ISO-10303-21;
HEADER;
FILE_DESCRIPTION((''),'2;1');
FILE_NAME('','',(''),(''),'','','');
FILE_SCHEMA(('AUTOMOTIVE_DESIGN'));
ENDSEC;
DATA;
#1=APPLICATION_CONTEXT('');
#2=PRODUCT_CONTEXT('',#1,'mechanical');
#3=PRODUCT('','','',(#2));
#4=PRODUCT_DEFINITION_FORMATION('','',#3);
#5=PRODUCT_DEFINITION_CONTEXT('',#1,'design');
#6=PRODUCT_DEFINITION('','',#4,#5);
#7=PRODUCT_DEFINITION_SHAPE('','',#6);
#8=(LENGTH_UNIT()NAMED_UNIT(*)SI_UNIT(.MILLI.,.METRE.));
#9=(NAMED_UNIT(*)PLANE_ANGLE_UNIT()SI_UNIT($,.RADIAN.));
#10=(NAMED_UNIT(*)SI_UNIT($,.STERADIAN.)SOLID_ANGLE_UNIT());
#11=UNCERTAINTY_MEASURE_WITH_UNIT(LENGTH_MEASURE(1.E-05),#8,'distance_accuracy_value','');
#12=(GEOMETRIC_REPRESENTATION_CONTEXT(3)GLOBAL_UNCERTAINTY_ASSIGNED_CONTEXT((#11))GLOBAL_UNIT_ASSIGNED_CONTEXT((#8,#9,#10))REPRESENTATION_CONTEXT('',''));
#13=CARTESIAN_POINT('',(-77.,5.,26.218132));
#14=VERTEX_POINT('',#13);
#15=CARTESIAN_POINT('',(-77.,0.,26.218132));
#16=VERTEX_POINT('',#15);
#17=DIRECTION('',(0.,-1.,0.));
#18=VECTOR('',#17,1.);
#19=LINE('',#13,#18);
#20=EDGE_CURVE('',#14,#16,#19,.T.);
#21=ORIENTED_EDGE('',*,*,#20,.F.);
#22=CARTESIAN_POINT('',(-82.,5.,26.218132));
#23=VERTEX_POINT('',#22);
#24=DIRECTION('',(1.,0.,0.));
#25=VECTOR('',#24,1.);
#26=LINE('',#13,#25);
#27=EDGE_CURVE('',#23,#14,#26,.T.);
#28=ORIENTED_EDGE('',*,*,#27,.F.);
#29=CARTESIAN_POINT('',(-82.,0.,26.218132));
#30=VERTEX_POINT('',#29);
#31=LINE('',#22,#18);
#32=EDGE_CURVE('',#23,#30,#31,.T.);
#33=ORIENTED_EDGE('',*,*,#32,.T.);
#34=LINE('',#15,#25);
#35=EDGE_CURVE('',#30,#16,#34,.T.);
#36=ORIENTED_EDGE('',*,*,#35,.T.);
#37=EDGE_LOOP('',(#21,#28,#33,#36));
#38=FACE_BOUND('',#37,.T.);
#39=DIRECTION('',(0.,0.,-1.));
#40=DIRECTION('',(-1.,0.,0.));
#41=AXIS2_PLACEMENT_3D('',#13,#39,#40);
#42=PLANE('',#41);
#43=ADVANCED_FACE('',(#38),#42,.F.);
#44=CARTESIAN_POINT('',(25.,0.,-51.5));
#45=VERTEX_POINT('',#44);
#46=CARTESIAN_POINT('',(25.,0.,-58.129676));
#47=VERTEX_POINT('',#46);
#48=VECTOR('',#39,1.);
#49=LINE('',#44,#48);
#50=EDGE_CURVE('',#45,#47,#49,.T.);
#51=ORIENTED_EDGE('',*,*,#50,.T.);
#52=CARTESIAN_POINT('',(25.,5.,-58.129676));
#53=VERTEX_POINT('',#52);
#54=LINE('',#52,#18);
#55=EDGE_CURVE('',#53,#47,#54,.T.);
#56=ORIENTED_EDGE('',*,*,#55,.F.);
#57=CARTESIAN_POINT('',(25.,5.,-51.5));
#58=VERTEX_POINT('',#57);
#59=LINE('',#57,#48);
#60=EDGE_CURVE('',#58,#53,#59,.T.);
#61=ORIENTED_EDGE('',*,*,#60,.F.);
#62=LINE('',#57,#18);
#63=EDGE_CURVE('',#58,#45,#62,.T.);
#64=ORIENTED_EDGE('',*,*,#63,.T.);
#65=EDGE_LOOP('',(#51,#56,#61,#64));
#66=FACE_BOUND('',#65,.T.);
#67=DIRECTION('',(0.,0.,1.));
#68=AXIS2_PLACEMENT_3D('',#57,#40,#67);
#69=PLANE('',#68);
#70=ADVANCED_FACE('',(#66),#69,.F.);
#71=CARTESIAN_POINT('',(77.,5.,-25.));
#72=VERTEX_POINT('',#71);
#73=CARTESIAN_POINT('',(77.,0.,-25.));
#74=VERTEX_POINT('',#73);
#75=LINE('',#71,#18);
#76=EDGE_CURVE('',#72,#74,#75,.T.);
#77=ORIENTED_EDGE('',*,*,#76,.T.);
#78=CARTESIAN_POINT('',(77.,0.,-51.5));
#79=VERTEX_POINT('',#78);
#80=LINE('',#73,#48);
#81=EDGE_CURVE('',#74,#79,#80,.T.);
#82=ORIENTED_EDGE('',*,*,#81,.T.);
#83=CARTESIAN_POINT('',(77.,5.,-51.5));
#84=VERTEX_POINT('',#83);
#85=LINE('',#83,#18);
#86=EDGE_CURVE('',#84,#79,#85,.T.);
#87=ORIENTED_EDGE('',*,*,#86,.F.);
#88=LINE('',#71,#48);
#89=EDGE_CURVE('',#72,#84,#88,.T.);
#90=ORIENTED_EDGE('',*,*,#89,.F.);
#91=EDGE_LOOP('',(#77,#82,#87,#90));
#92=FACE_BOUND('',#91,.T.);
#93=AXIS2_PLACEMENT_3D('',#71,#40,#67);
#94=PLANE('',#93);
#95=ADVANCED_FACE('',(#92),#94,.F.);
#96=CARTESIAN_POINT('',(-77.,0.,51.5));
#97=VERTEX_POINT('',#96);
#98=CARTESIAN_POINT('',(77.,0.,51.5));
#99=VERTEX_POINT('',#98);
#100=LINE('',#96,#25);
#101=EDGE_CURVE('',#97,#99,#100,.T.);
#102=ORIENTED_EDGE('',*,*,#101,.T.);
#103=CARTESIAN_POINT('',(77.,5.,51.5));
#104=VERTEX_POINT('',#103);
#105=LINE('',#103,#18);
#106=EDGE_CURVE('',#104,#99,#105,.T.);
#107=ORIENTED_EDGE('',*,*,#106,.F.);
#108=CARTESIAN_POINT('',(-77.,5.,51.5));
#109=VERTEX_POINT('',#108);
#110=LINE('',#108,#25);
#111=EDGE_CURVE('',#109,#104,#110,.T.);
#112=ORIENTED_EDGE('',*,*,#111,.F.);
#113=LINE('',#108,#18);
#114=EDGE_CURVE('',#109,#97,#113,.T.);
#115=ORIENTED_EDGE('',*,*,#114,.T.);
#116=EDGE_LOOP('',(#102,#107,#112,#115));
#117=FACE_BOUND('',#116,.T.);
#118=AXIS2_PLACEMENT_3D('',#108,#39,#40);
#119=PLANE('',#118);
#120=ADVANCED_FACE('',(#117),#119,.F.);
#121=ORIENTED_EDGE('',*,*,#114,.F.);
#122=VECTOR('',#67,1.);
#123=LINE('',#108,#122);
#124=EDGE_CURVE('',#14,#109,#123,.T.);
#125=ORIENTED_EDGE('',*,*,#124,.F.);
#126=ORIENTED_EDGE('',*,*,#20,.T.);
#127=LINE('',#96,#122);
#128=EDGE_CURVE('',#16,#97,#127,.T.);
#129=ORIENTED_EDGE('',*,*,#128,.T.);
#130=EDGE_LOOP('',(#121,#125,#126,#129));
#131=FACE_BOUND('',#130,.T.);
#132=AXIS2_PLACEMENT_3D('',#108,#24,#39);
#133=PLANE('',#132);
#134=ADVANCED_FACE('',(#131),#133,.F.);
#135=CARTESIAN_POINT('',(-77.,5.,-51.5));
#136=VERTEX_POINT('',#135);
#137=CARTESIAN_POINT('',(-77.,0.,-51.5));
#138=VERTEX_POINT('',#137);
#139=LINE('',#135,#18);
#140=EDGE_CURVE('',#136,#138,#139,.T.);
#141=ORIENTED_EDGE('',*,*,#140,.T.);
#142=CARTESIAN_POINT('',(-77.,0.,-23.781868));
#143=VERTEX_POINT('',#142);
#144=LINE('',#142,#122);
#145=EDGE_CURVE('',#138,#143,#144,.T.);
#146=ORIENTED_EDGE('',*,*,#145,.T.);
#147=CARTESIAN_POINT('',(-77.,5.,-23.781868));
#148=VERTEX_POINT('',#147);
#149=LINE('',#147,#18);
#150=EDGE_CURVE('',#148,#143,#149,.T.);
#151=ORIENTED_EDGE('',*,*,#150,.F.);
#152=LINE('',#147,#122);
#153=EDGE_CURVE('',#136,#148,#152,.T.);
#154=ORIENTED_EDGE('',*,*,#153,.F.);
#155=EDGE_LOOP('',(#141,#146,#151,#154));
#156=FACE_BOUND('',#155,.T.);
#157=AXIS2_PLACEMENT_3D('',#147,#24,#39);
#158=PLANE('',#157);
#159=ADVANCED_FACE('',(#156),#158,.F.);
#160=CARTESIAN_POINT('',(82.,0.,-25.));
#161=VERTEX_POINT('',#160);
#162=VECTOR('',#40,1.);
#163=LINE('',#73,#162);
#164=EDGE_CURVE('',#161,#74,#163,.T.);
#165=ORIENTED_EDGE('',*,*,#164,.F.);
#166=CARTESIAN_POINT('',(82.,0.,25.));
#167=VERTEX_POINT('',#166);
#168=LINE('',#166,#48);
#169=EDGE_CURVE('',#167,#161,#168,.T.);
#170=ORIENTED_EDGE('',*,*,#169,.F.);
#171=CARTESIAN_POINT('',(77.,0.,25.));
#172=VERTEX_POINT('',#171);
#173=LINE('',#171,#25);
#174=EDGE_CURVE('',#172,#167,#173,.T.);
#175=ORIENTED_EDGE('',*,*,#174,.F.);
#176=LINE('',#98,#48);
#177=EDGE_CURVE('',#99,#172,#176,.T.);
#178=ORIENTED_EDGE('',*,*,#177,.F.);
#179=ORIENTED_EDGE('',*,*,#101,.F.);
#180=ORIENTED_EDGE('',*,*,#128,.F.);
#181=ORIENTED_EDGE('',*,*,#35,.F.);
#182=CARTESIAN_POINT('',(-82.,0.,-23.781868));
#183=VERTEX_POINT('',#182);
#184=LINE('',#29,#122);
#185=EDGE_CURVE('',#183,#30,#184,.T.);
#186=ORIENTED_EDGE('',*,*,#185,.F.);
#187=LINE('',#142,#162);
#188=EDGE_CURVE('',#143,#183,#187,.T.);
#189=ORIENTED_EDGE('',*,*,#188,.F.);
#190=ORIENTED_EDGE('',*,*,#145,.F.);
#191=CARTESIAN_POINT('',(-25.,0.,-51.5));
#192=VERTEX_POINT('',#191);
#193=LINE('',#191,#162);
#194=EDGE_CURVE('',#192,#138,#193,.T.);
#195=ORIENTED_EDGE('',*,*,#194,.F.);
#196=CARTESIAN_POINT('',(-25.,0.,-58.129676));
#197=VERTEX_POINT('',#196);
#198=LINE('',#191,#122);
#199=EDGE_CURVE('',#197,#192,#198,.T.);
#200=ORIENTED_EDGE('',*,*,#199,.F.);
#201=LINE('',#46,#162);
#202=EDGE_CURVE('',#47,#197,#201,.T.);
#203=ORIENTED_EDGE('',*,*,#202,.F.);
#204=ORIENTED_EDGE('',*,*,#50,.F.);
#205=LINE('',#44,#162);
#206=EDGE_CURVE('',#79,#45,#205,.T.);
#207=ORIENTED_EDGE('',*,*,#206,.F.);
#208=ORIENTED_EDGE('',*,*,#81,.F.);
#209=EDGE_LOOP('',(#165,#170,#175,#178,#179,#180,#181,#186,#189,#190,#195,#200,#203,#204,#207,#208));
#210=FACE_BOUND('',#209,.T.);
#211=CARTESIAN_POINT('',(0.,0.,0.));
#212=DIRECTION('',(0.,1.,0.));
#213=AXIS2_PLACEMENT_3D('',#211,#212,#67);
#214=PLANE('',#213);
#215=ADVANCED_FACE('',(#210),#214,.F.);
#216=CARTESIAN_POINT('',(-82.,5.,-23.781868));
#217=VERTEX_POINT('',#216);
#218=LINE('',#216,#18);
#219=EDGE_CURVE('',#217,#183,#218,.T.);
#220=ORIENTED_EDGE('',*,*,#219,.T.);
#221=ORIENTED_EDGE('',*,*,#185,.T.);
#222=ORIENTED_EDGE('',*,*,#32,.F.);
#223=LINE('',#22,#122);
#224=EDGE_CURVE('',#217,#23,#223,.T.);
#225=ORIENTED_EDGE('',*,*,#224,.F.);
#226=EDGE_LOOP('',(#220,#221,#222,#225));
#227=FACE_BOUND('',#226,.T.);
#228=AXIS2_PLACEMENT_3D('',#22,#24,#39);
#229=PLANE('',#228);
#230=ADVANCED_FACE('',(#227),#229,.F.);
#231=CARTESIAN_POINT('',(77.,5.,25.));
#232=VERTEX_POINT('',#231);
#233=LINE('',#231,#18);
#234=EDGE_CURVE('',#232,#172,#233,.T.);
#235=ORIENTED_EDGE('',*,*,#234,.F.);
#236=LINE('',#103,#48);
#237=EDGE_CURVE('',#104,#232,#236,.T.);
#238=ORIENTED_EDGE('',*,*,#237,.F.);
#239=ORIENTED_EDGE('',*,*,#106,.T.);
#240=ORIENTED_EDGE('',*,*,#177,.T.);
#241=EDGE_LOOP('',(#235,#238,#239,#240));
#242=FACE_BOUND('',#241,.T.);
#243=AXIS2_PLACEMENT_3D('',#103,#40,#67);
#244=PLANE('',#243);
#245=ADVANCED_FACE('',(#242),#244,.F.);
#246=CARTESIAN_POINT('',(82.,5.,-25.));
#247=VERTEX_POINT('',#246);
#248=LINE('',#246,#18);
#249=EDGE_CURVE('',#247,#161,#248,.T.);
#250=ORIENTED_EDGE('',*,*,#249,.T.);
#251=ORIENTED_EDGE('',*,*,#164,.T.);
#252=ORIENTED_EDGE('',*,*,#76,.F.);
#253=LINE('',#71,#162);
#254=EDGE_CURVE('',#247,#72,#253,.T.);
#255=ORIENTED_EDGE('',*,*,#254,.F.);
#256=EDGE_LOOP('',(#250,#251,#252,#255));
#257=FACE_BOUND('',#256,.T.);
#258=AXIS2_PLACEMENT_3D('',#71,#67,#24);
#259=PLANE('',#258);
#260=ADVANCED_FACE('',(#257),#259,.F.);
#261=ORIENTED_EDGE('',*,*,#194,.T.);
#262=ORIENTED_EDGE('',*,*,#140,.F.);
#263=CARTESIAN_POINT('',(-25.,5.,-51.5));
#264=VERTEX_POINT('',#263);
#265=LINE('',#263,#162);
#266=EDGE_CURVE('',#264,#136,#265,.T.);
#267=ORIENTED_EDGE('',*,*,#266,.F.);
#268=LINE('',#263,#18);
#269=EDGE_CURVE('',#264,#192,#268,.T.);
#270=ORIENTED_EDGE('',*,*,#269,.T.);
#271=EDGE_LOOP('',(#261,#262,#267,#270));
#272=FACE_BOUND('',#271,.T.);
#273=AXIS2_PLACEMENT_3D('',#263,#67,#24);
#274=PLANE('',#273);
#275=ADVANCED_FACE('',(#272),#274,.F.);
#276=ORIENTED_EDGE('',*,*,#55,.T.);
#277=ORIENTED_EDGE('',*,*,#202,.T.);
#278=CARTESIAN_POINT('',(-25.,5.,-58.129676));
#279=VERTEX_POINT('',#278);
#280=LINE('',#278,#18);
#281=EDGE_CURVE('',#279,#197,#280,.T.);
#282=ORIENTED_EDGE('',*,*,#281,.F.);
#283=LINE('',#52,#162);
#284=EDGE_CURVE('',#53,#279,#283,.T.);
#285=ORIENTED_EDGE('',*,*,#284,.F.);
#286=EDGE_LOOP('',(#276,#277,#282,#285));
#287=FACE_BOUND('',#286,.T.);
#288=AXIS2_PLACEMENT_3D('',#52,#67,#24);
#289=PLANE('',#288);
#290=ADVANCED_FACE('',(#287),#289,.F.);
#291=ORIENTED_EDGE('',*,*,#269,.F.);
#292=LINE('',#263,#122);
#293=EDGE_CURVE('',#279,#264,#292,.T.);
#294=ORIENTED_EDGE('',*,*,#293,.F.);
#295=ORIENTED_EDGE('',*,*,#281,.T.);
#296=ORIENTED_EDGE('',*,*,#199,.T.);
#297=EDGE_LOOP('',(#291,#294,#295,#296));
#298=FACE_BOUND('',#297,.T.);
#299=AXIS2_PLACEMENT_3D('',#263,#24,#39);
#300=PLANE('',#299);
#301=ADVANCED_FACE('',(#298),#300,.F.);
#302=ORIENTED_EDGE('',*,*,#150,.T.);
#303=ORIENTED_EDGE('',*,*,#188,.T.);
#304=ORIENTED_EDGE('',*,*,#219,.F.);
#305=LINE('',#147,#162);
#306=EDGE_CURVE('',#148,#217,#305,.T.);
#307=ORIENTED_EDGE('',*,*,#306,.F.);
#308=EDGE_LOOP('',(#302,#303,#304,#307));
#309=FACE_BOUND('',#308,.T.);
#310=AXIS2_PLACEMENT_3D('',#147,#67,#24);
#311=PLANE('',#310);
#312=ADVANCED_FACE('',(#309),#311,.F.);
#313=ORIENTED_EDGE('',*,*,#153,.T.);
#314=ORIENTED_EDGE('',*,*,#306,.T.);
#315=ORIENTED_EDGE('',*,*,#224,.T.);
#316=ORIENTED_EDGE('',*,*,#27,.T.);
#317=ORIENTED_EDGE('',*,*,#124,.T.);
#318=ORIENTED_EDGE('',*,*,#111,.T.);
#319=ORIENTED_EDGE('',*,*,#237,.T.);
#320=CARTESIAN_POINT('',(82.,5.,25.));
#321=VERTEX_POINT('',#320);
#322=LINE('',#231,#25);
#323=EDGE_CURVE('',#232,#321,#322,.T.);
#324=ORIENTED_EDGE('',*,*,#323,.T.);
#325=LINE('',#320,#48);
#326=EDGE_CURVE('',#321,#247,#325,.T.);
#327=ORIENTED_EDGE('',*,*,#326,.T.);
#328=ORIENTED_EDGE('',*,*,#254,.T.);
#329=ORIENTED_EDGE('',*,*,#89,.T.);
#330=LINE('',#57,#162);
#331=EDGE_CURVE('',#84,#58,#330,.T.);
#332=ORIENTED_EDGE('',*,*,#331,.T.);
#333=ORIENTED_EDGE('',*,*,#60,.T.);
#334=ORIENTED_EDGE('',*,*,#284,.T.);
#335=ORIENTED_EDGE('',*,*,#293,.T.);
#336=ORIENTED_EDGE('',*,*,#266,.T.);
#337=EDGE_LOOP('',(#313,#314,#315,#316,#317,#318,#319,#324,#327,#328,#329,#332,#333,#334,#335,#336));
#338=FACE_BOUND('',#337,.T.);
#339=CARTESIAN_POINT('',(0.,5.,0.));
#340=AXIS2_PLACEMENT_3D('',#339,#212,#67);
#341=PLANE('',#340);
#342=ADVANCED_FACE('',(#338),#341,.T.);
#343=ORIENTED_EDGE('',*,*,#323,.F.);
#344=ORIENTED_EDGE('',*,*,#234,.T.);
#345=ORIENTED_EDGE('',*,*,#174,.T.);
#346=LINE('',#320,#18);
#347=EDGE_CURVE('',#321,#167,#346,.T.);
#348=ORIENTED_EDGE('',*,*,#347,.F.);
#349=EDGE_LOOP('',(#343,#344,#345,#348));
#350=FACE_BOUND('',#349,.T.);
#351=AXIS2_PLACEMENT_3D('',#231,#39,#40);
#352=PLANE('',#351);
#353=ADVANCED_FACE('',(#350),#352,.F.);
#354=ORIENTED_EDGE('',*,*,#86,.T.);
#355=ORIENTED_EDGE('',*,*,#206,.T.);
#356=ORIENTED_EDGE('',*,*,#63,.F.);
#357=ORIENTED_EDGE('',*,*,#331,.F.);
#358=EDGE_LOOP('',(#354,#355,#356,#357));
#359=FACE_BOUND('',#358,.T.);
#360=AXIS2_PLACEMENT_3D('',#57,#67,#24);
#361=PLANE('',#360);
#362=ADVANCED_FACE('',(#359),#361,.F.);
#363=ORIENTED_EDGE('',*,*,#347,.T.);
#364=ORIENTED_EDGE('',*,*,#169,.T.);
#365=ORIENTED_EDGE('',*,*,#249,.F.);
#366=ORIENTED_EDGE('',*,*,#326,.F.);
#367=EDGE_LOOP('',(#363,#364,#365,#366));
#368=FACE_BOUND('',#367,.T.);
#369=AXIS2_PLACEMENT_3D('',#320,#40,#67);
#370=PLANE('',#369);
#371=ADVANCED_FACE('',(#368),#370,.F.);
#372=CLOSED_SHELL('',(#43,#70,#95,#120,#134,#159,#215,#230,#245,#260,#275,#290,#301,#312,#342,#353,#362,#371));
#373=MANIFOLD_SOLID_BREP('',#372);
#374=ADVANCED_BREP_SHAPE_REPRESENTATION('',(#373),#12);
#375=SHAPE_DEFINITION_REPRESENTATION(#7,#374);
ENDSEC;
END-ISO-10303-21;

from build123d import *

# Parameters (mm, degrees)
BOSS_EXTRU_1_DEPTH = 5


with BuildPart() as part:
    # Esquisse1 → Boss.-Extru.1 (new body)
    with BuildSketch(Plane(origin=(0, 0, 0), x_dir=(1, 0, 0), z_dir=(0, 1, 0))):
        Polygon((77, -51.5), (77, -25), (82, -25), (82, 25), (77, 25), (77, 51.5), (25, 51.5), (25, 58.129676011), (-25, 58.129676011), (-25, 51.5), (-77, 51.5), (-77, 23.781867572), (-82, 23.781867572), (-82, -26.218132428), (-77, -26.218132428), (-77, -51.5), align=None)
    extrude(amount=BOSS_EXTRU_1_DEPTH)


solid = part.part
